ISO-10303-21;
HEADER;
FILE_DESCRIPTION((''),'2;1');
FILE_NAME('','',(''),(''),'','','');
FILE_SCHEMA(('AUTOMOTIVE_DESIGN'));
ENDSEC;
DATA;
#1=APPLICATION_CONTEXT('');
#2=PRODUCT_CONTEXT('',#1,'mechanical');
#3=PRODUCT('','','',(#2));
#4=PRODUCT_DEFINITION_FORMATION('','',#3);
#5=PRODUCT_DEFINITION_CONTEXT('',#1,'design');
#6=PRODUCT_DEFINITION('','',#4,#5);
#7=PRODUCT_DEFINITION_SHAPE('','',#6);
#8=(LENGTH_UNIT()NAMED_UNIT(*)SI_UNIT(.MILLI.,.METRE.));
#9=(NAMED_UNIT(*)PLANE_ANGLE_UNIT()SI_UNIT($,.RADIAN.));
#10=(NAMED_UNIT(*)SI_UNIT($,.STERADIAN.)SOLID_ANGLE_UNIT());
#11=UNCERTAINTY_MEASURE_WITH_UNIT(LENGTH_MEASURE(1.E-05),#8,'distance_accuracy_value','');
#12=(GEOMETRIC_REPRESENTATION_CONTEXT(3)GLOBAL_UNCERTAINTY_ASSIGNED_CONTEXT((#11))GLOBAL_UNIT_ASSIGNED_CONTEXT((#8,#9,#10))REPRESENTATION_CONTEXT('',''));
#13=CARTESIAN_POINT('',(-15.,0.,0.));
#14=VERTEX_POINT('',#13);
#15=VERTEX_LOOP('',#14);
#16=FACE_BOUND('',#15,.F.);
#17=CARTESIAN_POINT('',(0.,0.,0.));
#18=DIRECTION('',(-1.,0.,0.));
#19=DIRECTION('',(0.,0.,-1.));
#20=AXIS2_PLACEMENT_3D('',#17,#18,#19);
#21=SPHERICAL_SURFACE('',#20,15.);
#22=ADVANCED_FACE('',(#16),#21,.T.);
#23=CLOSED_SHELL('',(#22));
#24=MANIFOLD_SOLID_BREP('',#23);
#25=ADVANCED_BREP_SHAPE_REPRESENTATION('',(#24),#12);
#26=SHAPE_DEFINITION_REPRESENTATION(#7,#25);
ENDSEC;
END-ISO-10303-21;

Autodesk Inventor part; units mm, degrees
ref_plane "YZ Plane" through (0, 0, 0) normal (1, 0, 0) x (0, 1, 0)
ref_plane "XZ Plane" through (0, 0, 0) normal (0, 1, 0) x (-1, 0, 0)
ref_plane "XY Plane" through (0, 0, 0) normal (0, 0, 1) x (1, 0, 0)
sketch "Sketch1" plane through (0, 0, 0) normal (0, 1, 0) x (-1, 0, 0)
  arc A0 (-15, 0) -> (15, 0) centre (0, 0) ccw
  line L0 (15, 0) -> (-15, 0)
  dimension "d0" = 30
  dimension "d1" = 30
revolve "Revolution1" add sketch "Sketch1" angle 360 about axis through (-15, 0, 0) along (1, 0, 0)
properties part number "ball" material "PPS Plastic"
